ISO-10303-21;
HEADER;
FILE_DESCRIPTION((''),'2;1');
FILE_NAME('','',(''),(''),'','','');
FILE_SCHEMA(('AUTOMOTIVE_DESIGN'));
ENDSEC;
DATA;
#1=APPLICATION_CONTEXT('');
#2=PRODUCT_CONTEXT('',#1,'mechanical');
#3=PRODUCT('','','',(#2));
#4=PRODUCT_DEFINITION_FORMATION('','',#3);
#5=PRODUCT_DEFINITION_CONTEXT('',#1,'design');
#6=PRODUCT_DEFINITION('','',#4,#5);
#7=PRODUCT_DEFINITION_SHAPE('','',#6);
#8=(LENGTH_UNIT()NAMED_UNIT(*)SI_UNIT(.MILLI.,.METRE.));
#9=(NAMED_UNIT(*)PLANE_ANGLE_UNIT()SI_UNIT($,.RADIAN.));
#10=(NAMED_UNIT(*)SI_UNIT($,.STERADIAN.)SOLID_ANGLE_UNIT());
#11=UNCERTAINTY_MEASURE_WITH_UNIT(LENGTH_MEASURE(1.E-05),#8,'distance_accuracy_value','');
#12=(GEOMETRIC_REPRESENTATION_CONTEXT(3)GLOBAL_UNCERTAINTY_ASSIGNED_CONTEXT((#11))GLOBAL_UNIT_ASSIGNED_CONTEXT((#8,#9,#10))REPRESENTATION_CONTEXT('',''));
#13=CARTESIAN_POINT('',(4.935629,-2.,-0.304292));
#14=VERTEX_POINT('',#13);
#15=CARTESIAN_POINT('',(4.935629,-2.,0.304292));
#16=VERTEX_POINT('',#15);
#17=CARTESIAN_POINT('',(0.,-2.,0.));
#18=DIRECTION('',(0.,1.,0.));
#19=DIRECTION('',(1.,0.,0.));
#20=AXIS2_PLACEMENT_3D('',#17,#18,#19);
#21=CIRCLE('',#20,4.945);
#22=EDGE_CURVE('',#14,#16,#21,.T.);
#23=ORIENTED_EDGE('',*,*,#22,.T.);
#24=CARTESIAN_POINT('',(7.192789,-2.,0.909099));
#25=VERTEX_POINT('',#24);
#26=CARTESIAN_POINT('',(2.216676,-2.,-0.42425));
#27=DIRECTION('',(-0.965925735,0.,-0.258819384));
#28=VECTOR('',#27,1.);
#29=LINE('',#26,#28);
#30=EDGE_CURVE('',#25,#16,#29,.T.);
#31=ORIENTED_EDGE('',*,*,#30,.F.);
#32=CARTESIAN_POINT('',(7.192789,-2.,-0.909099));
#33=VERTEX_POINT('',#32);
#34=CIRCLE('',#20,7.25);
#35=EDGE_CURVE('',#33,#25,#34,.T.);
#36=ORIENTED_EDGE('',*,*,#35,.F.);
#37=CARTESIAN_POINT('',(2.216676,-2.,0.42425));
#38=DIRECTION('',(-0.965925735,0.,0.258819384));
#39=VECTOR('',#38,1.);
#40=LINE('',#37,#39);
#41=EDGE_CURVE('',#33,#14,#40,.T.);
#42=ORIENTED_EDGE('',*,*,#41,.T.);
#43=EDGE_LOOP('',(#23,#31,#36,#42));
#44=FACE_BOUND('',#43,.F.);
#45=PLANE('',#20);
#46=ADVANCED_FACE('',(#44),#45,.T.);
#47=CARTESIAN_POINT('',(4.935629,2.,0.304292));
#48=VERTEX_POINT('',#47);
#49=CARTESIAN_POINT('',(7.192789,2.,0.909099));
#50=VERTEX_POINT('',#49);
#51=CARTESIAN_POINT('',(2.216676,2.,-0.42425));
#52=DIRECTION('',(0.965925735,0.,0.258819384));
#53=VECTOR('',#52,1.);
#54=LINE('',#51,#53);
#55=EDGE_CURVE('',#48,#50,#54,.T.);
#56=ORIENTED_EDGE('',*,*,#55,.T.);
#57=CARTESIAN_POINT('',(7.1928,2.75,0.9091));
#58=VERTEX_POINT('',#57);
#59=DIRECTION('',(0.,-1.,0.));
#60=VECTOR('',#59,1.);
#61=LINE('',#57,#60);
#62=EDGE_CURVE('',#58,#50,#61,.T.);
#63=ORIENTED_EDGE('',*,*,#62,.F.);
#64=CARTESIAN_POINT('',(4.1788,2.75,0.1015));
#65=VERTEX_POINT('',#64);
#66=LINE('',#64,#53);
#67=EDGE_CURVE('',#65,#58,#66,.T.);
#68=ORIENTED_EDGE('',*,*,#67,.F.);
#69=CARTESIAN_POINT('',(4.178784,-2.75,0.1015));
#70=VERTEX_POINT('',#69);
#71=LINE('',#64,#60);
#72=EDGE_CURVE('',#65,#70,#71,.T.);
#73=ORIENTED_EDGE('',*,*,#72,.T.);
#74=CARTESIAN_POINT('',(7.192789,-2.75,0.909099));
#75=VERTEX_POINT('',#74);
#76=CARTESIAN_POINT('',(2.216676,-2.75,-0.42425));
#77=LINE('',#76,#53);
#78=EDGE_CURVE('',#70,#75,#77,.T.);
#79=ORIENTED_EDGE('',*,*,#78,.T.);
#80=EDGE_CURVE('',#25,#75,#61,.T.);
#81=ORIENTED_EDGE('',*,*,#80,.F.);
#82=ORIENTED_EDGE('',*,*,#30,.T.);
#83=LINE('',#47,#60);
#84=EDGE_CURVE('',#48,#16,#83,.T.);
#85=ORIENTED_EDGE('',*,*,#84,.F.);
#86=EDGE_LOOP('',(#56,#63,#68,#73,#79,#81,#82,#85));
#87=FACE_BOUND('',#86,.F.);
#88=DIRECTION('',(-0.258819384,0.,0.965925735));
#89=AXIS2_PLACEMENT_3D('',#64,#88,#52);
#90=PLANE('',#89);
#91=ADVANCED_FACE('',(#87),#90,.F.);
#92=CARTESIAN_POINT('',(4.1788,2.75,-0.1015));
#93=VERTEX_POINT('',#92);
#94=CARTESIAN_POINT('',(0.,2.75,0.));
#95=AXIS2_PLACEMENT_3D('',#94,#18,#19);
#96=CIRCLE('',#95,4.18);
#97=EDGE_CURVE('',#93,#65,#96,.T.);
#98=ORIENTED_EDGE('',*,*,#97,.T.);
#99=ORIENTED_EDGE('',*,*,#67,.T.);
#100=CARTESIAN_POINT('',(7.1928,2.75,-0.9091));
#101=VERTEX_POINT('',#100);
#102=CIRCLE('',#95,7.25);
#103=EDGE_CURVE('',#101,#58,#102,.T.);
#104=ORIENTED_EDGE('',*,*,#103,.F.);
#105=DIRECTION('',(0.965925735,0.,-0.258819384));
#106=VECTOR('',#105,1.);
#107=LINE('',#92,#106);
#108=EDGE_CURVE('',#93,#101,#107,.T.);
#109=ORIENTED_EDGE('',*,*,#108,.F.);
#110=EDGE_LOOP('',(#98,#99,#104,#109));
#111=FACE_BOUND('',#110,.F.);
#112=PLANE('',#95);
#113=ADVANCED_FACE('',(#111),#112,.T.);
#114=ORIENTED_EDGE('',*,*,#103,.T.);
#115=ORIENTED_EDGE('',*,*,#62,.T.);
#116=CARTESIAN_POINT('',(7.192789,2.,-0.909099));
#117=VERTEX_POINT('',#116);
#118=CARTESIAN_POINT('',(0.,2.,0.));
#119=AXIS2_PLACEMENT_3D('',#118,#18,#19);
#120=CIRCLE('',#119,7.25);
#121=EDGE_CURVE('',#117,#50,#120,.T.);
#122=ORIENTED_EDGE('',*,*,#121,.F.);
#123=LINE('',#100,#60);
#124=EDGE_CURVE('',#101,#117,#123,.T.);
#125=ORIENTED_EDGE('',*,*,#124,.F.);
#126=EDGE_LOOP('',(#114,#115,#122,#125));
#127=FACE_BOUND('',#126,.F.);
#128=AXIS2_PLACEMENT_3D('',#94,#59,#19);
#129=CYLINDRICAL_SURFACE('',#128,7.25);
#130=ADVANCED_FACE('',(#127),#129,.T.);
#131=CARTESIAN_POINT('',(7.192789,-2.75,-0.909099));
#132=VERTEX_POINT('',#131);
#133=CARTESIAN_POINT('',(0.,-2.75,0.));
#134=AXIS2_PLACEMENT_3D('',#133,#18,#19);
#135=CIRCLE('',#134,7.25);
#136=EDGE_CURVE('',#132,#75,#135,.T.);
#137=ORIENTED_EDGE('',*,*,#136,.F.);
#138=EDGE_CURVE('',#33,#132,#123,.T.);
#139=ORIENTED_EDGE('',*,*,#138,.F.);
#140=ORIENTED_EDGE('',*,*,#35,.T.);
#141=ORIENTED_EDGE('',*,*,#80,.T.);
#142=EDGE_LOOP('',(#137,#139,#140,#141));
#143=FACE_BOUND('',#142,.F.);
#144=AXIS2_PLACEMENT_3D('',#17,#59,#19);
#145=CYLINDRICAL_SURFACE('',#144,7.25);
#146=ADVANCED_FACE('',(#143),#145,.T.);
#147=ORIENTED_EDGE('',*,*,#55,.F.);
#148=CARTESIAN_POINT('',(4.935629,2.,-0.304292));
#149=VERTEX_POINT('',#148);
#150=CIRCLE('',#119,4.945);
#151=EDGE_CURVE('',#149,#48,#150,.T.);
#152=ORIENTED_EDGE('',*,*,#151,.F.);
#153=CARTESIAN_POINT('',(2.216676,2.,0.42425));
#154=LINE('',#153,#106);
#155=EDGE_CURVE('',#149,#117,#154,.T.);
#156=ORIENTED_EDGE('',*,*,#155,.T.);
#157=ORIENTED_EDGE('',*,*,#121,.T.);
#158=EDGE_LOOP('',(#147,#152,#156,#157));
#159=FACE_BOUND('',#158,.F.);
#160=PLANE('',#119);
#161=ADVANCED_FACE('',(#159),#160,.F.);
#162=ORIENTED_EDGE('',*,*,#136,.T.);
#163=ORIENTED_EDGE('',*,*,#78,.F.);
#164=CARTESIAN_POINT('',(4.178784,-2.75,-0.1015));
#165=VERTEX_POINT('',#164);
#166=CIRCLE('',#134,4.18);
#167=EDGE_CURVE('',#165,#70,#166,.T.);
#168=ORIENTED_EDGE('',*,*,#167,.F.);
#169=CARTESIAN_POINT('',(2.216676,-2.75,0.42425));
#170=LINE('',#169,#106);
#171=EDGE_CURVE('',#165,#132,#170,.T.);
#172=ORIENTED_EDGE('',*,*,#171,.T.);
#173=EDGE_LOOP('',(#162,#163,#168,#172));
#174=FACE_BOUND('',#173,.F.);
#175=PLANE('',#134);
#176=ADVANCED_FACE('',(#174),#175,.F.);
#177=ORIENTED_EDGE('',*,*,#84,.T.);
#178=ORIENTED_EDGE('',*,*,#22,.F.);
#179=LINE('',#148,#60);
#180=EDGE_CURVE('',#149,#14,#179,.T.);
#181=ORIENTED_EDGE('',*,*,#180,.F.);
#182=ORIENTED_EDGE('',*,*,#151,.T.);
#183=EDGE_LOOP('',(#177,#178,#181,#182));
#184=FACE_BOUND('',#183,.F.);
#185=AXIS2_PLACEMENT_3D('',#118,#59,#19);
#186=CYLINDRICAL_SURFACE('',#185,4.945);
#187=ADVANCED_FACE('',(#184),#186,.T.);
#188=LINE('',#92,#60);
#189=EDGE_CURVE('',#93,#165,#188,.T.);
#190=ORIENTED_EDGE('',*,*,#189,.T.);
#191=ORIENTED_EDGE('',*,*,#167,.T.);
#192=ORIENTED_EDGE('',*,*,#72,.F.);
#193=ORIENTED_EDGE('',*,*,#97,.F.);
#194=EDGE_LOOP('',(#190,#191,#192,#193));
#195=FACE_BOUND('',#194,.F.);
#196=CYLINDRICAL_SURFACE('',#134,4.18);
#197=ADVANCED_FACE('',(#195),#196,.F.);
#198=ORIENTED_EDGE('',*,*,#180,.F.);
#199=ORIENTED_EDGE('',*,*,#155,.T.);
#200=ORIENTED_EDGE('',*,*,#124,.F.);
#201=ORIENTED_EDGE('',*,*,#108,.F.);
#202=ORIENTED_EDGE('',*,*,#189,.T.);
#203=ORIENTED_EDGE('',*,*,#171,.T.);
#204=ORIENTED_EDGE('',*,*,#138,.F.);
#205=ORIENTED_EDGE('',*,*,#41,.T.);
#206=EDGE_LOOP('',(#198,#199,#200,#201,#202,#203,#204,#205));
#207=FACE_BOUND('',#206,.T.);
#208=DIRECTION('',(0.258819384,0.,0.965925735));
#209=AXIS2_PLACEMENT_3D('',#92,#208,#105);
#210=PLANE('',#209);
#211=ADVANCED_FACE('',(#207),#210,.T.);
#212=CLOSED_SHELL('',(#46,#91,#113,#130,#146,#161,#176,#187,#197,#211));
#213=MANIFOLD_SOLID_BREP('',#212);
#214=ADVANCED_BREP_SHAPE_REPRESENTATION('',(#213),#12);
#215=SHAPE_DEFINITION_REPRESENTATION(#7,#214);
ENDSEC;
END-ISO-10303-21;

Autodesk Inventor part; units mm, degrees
ref_plane "YZ Plane" through (0, 0, 0) normal (1, 0, 0) x (0, 1, 0)
ref_plane "XZ Plane" through (0, 0, 0) normal (0, 1, 0) x (-1, 0, 0)
ref_plane "XY Plane" through (0, 0, 0) normal (0, 0, 1) x (1, 0, 0)
sketch "Sketch1" plane through (0, 0, 0) normal (0, 0, 1) x (1, 0, 0)
  line L0 (0, -3.85) -> (0, 3.85) projected
  line L1 (-1.45, 0) -> (8.7, 0) projected
  line L2 (4.18, -2.75) -> (4.18, 2.75)
  line L3 (4.18, 2.75) -> (7.25, 2.75)
  line L4 (7.25, 2.75) -> (7.25, 2)
  line L5 (7.25, 2) -> (4.945, 2)
  line L6 (4.945, 2) -> (4.945, -2)
  line L7 (4.945, -2) -> (7.25, -2)
  line L8 (7.25, -2) -> (7.25, -2.75)
  line L9 (7.25, -2.75) -> (4.18, -2.75)
  point P0 (0, 0)
  point P1 (4.945, 0)
  dimension "d0" = 8.36
  dimension "d1" = 9.89
  dimension "d2" = 14.5
  dimension "d3" = 0.75
  dimension "d4" = 4
  dimension "d5" = 0.75
revolve "Revolution1" add sketch "Sketch1" angle 360 about axis through (0, -10, 0) along (0, 1, 0)
sketch "Sketch3" plane through (0, 2.75, 0) normal (0, 1, 0) x (1, 0, 0)
  circle A0 centre (0, 0) radius 7.25 projected
  circle A1 centre (0, 0) radius 4.18 projected
  line L0 (-10.15, 0) -> (10.15, 0) projected
  line L1 (0, 10.15) -> (0, -10.15) projected
  line L2 (4.1788, 0.1015) -> (7.1928, 0.9091)
  line L3 (4.1788, -0.1015) -> (7.1928, -0.9091)
  arc A2 (4.1788, -0.1015) -> (4.1788, 0.1015) centre (0, 0) ccw
  arc A3 (7.1928, -0.9091) -> (7.1928, 0.9091) centre (0, 0) ccw
  dimension "d15" = 15
  dimension "d16" = 30
  dimension "d17" = 3.014
  dimension "d18" = 3.014
extrude "Extrusion2" cut sketch "Sketch3" against normal through all contours L0 A1 L2 A0 | A0 L3 A1 L0
equation "\"d3\" = d5"
properties part number "311-04" material "Brass, Soft Yellow"
